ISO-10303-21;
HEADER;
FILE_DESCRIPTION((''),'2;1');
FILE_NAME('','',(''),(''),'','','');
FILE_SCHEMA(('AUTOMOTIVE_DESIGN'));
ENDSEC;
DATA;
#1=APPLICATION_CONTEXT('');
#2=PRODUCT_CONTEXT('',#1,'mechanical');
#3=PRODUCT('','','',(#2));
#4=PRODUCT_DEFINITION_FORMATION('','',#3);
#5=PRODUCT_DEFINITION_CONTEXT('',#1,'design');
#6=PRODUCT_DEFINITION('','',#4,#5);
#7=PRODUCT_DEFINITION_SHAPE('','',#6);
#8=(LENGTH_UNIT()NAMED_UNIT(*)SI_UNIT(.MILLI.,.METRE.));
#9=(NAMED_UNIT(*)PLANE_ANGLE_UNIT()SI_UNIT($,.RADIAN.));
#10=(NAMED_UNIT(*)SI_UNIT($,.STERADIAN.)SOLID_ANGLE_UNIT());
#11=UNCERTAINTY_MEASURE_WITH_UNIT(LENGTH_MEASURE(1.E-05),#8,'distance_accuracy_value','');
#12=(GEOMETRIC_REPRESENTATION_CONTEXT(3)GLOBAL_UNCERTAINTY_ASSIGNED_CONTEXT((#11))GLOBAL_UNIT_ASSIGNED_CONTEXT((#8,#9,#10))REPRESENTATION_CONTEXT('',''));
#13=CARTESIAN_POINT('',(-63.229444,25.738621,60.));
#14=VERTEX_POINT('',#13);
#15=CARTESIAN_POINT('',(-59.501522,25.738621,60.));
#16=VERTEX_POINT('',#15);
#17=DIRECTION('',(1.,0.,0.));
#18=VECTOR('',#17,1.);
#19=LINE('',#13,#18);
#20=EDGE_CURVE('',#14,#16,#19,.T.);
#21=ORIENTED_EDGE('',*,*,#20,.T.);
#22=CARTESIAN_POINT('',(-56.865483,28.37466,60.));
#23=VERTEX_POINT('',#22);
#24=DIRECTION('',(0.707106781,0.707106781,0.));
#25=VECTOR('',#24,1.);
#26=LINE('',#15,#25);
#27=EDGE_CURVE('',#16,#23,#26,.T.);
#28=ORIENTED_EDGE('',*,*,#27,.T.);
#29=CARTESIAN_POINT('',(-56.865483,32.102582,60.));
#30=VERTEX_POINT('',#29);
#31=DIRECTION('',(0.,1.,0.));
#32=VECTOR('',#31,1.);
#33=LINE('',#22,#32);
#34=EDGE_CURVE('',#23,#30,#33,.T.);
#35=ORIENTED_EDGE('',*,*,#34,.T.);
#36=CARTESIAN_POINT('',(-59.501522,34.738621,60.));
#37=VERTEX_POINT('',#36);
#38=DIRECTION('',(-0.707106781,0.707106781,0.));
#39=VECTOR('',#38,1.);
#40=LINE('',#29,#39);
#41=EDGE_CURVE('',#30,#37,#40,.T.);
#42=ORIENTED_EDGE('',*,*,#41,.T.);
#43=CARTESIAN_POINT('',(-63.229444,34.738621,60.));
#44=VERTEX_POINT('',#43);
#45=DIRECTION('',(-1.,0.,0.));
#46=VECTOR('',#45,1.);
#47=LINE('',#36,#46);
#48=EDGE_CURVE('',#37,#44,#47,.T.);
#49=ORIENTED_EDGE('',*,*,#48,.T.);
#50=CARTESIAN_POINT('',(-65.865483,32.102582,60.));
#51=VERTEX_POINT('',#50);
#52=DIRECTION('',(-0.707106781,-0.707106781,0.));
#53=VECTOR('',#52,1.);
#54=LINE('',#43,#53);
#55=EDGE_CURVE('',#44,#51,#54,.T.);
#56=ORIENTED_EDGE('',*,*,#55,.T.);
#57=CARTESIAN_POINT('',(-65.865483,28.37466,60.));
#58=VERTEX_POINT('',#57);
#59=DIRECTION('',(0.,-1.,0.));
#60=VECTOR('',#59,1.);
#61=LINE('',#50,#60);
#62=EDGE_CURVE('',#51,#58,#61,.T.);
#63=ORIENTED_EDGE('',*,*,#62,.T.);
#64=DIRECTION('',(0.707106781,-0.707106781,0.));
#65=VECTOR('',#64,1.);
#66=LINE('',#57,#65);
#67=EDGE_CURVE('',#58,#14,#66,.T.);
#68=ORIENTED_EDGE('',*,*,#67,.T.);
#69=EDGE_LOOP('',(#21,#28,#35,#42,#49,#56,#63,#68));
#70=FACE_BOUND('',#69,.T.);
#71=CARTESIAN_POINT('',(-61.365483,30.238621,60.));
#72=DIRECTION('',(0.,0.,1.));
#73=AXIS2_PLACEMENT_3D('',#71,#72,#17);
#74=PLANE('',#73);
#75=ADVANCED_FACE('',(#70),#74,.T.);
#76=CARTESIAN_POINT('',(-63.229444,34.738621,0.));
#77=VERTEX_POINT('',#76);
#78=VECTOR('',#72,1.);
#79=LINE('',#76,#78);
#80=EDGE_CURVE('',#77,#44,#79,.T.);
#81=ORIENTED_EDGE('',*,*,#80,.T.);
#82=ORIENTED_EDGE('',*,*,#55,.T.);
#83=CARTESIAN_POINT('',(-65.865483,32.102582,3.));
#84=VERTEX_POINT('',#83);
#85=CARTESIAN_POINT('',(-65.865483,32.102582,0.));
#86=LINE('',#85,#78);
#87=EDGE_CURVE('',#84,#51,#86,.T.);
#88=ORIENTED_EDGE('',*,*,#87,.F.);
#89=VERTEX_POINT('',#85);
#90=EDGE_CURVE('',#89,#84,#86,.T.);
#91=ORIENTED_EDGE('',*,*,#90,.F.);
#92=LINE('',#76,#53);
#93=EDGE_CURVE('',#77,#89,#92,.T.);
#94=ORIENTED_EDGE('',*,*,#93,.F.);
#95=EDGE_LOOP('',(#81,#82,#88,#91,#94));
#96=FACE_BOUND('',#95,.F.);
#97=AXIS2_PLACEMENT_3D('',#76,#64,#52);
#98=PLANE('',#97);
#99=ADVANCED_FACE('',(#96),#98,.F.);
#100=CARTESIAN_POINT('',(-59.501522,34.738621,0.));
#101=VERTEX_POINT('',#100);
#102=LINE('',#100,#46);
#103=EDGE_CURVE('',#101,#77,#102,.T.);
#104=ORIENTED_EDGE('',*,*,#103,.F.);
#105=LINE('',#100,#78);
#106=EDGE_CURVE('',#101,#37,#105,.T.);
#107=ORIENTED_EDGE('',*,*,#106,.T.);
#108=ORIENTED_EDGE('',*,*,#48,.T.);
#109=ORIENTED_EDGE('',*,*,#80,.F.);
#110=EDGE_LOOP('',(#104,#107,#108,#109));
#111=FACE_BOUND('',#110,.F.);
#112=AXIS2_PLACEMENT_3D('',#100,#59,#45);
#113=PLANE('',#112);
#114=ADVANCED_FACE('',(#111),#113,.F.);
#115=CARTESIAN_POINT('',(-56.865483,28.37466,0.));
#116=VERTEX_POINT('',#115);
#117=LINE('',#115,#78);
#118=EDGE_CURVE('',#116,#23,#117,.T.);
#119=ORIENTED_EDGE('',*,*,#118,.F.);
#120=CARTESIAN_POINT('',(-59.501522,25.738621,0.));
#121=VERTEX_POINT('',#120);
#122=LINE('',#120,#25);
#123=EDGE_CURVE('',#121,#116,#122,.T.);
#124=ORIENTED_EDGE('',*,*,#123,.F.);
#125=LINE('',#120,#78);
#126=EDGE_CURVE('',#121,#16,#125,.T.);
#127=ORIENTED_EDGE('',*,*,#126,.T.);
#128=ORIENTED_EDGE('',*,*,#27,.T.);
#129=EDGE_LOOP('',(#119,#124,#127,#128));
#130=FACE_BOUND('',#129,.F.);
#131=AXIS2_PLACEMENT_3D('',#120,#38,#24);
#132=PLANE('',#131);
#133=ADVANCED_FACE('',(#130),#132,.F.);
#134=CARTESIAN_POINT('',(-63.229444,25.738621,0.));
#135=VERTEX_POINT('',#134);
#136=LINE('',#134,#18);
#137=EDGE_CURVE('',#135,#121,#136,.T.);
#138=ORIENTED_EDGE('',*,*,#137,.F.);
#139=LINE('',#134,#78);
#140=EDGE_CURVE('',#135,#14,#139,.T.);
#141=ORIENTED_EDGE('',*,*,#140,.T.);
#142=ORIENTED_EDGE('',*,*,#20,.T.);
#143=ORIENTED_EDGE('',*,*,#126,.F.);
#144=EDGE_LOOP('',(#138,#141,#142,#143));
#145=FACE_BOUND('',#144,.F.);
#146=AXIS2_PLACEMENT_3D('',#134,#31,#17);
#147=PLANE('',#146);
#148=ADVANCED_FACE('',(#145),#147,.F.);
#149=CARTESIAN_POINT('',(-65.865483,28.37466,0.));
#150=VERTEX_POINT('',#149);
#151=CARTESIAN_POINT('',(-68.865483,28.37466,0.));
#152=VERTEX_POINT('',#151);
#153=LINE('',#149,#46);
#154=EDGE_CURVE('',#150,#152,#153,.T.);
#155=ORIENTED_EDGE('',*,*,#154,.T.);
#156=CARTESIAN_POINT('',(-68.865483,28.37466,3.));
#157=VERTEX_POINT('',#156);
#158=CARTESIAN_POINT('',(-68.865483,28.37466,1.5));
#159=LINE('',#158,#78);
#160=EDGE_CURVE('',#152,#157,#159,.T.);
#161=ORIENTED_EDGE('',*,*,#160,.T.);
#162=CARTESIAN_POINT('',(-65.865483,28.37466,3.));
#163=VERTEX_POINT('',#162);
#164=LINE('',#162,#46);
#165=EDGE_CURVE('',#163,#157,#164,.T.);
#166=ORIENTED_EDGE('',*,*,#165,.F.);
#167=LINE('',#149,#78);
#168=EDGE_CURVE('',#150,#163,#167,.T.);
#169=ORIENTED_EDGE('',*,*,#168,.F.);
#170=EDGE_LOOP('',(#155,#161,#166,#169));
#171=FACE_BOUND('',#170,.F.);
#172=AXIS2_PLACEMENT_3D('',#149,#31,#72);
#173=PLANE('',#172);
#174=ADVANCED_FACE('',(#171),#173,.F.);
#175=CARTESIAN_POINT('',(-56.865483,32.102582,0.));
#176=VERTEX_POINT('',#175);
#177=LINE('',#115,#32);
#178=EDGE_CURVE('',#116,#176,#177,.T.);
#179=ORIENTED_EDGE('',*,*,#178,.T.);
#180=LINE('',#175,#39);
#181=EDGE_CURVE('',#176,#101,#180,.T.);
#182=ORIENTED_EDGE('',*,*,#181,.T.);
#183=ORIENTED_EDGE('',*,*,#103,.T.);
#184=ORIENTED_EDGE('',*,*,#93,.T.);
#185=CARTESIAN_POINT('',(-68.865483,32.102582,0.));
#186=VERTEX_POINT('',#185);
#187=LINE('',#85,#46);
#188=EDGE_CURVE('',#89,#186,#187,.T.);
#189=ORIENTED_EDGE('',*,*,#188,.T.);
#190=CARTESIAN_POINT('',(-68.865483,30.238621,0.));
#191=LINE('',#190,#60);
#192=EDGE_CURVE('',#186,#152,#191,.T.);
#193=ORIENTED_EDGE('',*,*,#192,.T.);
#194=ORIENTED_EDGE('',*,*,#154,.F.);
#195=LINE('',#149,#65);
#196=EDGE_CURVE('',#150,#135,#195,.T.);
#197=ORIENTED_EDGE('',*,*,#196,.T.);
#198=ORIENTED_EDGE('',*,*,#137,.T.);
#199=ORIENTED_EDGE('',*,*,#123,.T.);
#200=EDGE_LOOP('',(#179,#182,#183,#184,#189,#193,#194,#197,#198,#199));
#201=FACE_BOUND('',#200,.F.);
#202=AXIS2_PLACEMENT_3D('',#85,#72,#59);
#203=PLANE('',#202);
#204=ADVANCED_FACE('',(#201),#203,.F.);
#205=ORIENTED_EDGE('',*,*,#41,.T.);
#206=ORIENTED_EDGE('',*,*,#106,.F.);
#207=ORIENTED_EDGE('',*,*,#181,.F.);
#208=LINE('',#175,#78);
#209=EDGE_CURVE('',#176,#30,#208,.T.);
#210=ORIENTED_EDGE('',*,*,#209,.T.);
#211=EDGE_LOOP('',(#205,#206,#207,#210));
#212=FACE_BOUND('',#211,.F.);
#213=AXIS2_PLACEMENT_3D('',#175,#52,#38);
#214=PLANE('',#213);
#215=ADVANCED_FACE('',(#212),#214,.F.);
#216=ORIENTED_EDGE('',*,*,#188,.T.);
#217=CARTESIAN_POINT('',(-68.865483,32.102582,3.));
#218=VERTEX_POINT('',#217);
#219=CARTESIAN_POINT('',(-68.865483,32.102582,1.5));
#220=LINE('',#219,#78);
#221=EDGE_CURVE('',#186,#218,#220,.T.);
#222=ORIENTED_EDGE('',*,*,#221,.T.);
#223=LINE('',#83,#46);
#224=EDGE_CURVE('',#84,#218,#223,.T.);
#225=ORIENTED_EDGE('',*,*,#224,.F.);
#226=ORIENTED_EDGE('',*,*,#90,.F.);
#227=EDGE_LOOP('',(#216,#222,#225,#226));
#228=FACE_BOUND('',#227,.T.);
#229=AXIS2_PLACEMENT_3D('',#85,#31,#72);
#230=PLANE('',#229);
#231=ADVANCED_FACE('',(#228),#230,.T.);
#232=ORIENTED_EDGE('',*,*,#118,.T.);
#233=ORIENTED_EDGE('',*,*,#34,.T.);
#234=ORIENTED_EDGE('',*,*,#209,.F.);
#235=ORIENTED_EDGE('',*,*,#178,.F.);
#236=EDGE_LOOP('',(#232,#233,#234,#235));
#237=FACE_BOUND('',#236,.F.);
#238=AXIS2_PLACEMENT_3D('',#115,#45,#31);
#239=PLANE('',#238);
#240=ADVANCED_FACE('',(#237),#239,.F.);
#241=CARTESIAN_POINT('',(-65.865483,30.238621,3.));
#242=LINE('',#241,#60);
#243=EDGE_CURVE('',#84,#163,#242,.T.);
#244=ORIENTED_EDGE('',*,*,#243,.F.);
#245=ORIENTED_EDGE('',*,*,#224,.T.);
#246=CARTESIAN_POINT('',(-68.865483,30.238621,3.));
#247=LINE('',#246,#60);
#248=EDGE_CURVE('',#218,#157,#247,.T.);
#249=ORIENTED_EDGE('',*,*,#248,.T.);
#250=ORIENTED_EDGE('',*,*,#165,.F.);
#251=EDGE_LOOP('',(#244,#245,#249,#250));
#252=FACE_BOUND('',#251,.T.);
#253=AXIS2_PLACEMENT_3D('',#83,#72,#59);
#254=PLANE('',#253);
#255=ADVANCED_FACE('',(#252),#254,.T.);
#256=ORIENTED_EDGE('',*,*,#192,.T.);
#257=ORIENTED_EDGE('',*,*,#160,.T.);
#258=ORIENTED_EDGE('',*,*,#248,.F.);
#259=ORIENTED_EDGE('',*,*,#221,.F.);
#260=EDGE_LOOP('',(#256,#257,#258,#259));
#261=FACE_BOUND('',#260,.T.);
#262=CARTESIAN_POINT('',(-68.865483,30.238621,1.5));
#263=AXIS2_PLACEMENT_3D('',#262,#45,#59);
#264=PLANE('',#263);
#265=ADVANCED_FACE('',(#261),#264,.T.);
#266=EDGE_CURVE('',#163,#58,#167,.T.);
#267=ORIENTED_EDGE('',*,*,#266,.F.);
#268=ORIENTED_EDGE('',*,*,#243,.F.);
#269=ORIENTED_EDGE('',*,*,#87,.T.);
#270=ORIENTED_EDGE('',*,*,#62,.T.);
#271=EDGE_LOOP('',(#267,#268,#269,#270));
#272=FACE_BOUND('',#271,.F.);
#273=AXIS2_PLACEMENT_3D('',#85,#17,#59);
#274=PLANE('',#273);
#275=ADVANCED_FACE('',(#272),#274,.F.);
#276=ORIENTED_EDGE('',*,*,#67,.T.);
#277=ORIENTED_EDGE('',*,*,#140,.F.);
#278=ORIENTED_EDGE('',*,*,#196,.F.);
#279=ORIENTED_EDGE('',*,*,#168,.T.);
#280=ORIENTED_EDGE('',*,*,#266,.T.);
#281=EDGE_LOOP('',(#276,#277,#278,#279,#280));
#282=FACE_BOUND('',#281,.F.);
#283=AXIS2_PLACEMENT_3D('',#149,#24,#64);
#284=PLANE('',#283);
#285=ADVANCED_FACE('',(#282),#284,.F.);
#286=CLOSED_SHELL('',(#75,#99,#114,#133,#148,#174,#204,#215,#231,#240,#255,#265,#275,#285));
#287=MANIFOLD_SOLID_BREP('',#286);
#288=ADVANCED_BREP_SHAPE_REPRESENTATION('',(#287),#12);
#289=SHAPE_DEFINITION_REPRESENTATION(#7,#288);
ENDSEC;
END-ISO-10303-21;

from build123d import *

# Parameters (mm, degrees)
F1_DEPTH = 60
F2_W     = 3.727922
F2_H     = 3
F3_DEPTH = 3


with BuildPart() as f1:
    # F0 (on Top) → F1 (new body)
    with BuildSketch(Plane.XY):
        Polygon((-59.501522, 25.738621), (-56.865483, 28.37466), (-56.865483, 32.102582), (-59.501522, 34.738621), (-63.229444, 34.738621), (-65.865483, 32.102582), (-65.865483, 28.37466), (-63.229444, 25.738621), align=None)
    extrude(amount=F1_DEPTH)

    # F2 (on face) → F3 (join)
    with BuildSketch(Plane(origin=(-65.865483, 0, 0), x_dir=(0, -1, 0), z_dir=(-1, 0, 0))):
        with Locations((-30.238621, 1.5)):
            Rectangle(F2_W, F2_H)
    extrude(amount=F3_DEPTH)


solid = f1.part
